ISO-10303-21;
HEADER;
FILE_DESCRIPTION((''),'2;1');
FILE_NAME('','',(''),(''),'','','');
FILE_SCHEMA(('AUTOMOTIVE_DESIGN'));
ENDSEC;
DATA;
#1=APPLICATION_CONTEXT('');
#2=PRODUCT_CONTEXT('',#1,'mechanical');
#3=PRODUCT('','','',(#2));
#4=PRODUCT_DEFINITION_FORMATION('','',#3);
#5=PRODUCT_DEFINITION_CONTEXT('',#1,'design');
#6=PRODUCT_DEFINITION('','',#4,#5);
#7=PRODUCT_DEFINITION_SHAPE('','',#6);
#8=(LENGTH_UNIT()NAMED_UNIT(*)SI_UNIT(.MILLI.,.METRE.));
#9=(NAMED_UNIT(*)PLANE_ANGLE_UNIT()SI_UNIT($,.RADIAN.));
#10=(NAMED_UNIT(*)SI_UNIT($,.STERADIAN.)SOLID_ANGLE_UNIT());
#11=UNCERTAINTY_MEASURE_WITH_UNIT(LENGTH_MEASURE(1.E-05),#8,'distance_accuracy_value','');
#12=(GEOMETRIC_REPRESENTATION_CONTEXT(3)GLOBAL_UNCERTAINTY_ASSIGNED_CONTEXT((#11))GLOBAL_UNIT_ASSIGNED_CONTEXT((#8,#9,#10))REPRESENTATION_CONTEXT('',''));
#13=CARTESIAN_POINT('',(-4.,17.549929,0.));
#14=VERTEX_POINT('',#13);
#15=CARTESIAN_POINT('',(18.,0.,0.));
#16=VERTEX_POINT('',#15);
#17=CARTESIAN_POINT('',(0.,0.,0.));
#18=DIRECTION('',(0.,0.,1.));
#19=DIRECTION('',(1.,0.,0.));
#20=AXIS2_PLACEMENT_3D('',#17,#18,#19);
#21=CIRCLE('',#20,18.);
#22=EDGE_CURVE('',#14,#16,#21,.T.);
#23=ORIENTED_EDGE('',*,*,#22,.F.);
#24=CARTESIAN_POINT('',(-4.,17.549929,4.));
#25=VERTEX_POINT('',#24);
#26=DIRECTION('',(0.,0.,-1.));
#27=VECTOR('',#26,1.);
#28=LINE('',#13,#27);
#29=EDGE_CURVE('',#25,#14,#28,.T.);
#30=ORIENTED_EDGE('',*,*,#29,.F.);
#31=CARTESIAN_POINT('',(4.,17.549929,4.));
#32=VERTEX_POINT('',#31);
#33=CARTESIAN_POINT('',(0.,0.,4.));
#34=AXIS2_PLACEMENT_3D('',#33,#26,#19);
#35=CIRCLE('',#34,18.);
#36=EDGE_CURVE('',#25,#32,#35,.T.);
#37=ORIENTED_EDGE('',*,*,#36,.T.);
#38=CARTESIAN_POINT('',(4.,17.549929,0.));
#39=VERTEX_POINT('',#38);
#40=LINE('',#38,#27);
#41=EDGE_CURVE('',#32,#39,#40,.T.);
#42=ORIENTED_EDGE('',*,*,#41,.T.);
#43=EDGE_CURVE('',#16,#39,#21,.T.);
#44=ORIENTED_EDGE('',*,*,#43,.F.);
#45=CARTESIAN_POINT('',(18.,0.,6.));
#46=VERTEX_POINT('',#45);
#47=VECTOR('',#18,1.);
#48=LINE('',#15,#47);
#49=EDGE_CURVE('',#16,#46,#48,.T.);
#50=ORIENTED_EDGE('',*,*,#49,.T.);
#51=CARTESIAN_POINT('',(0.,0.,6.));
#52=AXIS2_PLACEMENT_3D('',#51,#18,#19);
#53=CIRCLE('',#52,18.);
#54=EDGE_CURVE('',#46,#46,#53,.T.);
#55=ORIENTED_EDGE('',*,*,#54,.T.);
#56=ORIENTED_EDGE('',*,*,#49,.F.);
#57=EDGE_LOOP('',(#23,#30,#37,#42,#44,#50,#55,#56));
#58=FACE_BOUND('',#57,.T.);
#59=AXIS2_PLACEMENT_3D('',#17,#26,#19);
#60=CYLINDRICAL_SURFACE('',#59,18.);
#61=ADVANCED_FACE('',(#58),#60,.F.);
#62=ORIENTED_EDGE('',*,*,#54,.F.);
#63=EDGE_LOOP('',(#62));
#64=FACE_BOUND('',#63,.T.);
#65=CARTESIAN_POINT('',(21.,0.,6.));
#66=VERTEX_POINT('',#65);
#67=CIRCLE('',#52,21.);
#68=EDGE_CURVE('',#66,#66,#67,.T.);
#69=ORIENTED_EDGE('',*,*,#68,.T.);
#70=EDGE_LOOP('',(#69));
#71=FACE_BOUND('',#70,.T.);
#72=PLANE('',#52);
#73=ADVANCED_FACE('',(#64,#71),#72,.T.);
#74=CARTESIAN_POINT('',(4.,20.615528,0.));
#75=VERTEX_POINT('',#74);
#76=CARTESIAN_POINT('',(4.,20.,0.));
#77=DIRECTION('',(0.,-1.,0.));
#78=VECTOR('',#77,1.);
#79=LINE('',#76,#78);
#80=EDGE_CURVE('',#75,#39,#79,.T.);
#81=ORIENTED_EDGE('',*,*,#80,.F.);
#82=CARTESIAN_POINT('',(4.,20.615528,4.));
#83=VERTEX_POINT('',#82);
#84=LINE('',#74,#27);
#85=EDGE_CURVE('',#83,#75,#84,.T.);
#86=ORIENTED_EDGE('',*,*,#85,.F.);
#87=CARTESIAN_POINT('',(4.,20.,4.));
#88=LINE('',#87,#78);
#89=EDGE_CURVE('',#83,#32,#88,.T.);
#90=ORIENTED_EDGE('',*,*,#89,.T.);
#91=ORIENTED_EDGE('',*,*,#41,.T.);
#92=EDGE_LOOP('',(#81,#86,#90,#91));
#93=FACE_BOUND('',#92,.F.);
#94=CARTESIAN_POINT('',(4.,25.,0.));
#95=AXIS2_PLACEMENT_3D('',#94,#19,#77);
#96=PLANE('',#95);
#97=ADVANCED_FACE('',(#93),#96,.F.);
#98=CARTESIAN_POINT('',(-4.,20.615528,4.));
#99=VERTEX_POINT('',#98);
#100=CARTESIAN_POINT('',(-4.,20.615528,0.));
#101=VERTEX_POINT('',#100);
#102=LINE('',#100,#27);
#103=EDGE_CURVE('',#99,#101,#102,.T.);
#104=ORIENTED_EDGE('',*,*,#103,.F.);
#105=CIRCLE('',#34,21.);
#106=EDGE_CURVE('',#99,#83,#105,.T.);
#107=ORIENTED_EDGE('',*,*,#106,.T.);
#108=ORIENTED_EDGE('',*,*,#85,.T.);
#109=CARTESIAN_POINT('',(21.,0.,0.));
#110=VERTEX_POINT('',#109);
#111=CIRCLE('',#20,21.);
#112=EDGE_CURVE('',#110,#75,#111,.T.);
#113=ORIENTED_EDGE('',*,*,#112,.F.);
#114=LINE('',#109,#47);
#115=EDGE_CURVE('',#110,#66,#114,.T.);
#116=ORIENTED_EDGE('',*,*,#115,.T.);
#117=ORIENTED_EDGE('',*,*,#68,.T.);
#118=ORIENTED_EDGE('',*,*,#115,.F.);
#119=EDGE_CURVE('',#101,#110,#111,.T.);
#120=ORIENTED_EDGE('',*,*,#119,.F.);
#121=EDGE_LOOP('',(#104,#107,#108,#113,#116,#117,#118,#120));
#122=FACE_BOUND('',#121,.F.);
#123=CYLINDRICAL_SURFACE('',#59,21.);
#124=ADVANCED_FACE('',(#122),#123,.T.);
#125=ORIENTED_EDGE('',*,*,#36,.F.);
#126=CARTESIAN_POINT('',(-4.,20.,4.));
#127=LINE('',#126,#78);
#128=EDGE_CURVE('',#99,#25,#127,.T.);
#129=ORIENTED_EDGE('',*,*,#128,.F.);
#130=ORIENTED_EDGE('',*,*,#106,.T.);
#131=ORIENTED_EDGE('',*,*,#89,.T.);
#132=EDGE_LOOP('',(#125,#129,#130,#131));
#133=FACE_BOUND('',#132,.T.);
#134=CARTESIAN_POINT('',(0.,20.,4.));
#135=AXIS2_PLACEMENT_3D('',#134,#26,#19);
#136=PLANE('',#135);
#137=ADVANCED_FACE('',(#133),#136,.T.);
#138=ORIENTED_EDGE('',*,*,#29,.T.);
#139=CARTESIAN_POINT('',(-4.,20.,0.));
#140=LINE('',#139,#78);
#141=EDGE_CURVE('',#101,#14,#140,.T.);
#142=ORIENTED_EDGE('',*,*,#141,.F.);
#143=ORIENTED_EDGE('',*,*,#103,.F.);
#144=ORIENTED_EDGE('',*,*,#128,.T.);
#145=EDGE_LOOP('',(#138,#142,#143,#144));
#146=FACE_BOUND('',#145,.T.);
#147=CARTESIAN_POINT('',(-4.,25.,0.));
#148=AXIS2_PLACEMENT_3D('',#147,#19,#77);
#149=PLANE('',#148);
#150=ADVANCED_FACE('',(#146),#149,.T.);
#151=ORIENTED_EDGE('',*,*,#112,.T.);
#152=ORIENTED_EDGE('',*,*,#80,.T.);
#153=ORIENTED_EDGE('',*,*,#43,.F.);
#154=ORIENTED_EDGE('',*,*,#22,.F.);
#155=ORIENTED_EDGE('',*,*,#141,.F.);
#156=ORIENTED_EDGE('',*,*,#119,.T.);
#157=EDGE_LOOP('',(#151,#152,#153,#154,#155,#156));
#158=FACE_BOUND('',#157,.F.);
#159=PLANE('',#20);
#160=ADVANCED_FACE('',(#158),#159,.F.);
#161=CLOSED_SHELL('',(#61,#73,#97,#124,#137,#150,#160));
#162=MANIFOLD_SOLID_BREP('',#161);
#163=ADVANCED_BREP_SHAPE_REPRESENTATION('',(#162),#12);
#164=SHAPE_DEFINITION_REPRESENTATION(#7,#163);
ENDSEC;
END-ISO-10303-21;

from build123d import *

# Parameters (mm, degrees)
SKETCH_R     = 21
SKETCH_R_2   = 18
PAD_DEPTH    = 6
SKETCH001_W  = 8
SKETCH001_H  = 10
POCKET_DEPTH = 4


with BuildPart() as part:
    # Sketch → Pad (new body)
    with BuildSketch(Plane.XY):
        Circle(SKETCH_R)
        Circle(SKETCH_R_2, mode=Mode.SUBTRACT)
    extrude(amount=PAD_DEPTH)

    # Sketch001 (on Face3 of Pad) → Pocket (cut)
    with BuildSketch(Plane(origin=(0, 0, 0), x_dir=(1, 0, 0), z_dir=(0, 0, -1))):
        with Locations((0, -20)):
            Rectangle(SKETCH001_W, SKETCH001_H)
    extrude(amount=-POCKET_DEPTH, mode=Mode.SUBTRACT)


solid = part.part
